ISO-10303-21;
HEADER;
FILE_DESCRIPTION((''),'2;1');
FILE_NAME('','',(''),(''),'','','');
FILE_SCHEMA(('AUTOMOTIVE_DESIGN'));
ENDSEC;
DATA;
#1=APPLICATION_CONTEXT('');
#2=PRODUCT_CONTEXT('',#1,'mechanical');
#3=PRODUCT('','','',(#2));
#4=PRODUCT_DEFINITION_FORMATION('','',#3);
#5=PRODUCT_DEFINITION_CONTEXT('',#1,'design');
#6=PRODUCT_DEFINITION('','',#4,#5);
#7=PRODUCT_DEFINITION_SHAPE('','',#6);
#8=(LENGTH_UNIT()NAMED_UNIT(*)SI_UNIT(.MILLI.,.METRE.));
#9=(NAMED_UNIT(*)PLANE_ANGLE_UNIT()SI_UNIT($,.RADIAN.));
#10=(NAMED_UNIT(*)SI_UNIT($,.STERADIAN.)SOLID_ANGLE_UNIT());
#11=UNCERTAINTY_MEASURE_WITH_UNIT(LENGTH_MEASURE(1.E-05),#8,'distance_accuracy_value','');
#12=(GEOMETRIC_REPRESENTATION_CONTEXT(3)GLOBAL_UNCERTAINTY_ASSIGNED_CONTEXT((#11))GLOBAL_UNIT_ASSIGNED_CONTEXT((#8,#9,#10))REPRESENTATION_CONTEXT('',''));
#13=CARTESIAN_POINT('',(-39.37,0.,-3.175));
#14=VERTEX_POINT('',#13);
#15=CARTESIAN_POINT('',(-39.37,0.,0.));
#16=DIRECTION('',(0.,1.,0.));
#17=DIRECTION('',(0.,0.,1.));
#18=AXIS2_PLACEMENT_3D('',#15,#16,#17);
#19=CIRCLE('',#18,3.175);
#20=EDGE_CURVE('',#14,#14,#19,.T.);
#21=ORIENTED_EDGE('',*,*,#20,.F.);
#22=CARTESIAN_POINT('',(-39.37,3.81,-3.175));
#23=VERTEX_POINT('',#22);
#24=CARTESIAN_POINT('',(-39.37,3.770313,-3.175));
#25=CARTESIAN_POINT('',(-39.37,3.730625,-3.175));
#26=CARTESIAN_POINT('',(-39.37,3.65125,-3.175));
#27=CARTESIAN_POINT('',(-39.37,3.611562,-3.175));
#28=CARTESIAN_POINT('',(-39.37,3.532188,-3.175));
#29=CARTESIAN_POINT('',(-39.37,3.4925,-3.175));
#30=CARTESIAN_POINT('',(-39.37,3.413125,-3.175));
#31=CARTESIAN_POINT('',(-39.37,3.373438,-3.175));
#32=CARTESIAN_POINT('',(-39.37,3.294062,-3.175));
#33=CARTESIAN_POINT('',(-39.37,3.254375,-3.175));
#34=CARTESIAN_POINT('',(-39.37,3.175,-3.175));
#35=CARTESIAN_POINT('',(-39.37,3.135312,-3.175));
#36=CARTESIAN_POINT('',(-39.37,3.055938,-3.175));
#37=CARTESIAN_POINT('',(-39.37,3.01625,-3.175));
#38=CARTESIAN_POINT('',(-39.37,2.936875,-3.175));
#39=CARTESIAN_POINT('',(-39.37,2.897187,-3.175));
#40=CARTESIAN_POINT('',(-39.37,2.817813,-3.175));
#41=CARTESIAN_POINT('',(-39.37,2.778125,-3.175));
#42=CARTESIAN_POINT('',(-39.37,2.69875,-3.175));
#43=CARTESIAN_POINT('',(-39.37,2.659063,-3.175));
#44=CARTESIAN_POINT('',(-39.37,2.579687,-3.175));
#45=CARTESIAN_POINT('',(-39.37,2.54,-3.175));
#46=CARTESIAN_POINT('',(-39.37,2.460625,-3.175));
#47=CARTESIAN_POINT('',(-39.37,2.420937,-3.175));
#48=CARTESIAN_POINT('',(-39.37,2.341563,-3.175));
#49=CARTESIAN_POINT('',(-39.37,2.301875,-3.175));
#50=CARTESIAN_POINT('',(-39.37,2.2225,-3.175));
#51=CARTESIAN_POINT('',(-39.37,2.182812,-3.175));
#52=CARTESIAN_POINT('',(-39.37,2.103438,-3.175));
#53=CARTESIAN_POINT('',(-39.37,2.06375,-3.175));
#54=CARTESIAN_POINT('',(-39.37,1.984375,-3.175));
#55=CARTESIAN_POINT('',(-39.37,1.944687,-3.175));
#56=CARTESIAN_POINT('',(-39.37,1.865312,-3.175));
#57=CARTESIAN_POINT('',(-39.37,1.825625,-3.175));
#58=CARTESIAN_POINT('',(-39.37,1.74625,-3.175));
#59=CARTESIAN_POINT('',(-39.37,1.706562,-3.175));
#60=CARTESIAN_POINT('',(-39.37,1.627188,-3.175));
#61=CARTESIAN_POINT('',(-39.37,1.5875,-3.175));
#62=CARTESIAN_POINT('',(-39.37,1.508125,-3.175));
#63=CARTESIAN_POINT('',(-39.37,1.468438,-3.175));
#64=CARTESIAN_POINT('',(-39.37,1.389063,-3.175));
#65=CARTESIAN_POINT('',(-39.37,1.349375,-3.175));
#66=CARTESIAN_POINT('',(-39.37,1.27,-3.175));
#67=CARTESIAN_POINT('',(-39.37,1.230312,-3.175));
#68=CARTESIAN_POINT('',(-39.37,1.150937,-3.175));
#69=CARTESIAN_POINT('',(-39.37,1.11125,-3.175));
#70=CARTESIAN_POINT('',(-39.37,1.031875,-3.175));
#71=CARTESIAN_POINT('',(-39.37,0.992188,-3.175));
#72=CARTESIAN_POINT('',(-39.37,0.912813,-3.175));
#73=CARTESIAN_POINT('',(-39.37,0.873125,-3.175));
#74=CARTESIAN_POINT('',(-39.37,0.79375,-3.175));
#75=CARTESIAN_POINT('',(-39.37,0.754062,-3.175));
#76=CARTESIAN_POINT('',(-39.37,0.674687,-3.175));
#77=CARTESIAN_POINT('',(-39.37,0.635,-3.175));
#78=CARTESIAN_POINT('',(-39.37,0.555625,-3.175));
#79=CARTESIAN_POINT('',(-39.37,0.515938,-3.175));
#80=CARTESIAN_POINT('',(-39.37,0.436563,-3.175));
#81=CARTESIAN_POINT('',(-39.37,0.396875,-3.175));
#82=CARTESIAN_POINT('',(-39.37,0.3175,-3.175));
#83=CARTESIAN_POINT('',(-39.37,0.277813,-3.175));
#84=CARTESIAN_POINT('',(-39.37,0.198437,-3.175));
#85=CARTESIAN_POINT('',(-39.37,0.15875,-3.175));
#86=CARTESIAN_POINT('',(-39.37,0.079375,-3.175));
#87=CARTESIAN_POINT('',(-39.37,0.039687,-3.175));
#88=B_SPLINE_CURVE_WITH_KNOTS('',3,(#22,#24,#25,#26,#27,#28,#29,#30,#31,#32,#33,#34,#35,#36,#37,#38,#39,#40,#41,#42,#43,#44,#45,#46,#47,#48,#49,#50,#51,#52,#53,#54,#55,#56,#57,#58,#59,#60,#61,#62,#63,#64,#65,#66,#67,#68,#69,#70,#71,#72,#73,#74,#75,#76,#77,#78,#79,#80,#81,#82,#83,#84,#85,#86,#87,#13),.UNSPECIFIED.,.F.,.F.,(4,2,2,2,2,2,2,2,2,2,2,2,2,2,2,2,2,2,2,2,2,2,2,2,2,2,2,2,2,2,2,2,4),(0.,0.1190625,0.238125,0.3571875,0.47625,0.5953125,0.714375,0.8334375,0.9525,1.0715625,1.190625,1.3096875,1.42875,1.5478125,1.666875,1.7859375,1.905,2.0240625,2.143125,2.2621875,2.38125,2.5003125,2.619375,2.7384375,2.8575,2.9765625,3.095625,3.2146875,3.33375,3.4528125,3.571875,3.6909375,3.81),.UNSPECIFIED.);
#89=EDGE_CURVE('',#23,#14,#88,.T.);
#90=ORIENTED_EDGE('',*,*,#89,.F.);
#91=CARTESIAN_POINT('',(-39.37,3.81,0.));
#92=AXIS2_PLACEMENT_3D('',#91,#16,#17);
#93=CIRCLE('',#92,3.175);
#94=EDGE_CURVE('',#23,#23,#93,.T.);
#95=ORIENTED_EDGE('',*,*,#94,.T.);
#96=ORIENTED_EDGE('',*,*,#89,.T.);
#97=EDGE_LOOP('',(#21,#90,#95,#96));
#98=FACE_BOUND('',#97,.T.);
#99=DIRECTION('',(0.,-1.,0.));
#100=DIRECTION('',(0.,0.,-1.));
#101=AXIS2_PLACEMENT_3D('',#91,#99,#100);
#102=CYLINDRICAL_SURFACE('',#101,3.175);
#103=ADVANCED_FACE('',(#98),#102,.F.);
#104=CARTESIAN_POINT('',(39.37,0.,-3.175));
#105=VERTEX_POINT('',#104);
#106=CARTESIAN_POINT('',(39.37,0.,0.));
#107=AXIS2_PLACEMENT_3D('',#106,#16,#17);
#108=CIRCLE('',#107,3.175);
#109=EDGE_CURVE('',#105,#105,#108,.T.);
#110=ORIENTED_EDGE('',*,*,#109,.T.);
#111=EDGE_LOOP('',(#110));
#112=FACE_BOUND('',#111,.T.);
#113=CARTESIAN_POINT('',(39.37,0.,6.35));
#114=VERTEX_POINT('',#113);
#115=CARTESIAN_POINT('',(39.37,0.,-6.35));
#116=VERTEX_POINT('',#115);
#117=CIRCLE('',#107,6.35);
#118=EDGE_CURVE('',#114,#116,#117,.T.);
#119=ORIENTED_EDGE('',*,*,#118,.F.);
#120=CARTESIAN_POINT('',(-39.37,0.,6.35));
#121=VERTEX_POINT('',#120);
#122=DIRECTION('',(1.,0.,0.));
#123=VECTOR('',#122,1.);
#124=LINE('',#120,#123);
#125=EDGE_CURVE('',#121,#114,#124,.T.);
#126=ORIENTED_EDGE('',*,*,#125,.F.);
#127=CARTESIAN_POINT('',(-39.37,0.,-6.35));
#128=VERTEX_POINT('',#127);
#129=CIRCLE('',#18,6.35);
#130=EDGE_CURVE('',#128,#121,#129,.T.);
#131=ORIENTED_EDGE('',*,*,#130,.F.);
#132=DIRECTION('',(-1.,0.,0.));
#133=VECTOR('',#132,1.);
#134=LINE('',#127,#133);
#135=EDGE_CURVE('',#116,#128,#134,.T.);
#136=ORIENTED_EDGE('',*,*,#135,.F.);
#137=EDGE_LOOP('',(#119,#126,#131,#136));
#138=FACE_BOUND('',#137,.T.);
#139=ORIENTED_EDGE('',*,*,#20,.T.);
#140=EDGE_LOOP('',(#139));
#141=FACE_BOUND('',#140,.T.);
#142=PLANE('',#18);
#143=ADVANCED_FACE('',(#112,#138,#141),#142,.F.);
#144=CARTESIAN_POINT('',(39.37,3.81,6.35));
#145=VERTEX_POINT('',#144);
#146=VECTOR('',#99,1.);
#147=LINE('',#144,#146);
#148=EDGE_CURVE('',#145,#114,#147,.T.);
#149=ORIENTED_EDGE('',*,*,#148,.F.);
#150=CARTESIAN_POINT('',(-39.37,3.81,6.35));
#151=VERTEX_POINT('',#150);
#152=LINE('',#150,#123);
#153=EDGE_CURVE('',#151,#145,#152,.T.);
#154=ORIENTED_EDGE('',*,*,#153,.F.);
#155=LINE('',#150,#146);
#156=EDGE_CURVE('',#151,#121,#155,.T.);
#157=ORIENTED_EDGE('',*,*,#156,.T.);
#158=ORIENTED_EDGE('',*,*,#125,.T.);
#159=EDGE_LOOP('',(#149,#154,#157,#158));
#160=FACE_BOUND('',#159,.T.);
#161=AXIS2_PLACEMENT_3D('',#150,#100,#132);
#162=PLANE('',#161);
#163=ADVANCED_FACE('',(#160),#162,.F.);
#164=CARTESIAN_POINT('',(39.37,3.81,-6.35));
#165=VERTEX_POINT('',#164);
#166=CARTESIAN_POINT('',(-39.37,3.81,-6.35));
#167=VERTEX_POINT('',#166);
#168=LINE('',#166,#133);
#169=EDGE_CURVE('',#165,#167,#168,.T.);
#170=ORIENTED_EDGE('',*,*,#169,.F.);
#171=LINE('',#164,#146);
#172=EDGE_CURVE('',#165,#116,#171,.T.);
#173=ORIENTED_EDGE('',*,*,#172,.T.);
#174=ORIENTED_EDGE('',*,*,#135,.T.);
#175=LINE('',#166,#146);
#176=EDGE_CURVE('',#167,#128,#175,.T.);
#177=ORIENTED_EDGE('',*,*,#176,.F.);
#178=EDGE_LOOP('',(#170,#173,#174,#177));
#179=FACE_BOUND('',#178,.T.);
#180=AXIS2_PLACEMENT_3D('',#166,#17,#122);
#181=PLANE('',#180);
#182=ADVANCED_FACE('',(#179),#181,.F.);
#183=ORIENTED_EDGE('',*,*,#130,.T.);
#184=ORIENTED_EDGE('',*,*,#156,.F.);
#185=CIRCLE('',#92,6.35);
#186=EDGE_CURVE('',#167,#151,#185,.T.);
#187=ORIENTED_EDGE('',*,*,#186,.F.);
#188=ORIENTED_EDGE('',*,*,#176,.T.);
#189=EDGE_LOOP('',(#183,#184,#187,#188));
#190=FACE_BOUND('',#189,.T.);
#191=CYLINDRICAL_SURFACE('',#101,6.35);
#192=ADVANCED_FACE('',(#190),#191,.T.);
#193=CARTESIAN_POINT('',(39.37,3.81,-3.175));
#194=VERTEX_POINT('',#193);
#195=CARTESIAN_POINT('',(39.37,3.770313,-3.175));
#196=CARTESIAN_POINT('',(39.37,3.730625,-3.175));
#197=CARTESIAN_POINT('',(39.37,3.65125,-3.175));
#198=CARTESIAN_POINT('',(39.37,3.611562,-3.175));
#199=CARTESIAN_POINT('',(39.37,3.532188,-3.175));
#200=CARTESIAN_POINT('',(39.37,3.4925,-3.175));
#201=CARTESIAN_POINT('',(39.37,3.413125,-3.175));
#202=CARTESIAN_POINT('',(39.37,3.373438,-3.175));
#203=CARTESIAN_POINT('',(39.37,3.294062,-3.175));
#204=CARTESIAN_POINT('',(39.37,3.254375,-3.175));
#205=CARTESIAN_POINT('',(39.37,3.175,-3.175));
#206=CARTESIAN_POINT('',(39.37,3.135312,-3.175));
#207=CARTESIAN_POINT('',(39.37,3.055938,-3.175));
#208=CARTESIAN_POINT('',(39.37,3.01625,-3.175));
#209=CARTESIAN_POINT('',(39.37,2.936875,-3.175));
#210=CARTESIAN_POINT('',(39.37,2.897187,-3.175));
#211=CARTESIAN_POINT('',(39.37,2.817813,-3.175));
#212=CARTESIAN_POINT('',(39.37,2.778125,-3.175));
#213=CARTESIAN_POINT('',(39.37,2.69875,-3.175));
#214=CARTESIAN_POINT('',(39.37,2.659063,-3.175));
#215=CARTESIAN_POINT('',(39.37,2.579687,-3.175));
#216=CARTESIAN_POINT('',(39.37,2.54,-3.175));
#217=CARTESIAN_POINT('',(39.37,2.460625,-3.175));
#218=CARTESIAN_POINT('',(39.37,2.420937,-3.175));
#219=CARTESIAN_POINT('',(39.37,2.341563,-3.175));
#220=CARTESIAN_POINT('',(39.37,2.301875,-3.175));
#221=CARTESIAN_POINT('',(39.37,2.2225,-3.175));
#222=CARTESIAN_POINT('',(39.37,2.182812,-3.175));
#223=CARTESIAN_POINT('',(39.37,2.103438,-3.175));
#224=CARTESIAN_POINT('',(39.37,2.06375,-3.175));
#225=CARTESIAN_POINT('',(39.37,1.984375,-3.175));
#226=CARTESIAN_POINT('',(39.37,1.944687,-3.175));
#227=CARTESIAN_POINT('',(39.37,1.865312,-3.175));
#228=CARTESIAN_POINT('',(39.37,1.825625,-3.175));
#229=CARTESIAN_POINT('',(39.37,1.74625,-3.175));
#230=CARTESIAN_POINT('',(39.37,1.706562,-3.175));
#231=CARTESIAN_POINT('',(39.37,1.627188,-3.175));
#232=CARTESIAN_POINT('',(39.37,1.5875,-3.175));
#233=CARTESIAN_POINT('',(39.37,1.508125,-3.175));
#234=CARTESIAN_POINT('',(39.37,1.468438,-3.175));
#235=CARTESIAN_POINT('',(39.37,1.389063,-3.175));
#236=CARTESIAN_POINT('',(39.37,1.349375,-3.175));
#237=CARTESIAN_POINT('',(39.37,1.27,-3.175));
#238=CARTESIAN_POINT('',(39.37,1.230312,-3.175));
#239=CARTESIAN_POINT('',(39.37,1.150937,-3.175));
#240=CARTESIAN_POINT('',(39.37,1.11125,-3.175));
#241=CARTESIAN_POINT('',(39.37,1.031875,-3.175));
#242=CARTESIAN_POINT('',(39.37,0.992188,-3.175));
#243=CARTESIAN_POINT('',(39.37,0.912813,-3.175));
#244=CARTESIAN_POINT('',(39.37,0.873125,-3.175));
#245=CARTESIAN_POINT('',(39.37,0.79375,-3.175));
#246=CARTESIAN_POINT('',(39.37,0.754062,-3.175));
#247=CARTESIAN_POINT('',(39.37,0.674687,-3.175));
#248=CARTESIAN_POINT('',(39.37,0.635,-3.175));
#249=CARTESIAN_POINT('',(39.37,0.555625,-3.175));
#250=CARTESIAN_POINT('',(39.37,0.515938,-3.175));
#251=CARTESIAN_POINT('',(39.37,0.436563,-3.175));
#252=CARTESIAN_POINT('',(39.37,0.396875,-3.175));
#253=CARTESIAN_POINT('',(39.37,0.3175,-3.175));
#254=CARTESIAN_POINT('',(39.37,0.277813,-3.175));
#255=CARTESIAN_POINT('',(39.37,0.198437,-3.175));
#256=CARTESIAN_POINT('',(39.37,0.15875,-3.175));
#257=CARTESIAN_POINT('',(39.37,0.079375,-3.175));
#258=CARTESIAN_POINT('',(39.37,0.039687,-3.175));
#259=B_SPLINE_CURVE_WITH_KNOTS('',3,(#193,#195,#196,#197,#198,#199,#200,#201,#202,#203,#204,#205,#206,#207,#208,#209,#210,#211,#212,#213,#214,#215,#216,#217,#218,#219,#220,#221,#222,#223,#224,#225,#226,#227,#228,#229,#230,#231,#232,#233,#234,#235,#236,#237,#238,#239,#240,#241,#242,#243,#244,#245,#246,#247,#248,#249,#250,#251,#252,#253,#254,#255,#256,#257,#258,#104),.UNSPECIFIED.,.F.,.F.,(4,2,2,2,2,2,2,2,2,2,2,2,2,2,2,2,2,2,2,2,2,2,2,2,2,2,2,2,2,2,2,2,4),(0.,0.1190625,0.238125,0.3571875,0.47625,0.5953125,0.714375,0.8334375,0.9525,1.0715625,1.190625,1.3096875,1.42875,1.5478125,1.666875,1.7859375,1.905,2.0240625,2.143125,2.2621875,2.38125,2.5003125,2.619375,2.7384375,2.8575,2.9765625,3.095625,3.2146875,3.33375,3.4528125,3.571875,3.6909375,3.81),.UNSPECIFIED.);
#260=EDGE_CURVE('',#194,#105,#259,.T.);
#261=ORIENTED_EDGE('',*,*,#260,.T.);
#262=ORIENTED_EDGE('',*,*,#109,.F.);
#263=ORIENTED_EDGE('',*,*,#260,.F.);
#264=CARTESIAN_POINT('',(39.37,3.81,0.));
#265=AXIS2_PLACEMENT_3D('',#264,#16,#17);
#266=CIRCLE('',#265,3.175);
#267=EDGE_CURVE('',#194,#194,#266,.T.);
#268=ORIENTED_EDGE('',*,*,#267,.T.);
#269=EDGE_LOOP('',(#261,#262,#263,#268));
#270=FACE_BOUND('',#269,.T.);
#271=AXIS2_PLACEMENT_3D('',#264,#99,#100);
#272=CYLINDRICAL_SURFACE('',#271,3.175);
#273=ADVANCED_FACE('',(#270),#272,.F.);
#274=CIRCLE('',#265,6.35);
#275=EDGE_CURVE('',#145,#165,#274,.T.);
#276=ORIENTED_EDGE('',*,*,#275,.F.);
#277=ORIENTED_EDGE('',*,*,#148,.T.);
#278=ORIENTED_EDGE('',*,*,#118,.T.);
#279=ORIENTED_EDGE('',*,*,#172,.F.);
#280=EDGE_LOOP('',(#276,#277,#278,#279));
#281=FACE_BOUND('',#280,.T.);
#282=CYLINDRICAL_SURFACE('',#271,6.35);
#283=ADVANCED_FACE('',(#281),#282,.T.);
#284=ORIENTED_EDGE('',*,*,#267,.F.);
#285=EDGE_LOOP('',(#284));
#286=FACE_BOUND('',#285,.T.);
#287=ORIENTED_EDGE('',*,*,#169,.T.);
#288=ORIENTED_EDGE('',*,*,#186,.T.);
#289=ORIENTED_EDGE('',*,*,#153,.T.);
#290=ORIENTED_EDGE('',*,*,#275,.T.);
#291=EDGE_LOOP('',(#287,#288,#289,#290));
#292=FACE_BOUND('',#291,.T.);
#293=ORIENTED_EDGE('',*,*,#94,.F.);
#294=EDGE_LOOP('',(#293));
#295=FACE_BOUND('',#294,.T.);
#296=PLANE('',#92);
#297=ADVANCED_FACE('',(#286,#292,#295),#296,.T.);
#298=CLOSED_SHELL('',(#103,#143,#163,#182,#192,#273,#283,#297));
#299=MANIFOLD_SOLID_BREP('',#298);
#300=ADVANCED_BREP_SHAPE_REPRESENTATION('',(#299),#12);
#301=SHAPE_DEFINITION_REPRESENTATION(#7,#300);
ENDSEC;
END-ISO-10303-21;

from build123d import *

# Parameters (mm, degrees)
SKETCH1_R           = 3.175
BOSS_EXTRUDE1_DEPTH = 3.81


with BuildPart() as part:
    # Sketch1 → Boss-Extrude1 (new body)
    with BuildSketch(Plane(origin=(0, 0, 0), x_dir=(1, 0, 0), z_dir=(0, 1, 0))):
        with BuildLine():
            Line((-39.37, 6.35), (39.37, 6.35))
            ThreePointArc((39.37, 6.35), (45.72, 0), (39.37, -6.35))
            Line((39.37, -6.35), (-39.37, -6.35))
            ThreePointArc((-39.37, -6.35), (-45.72, 0), (-39.37, 6.35))
        make_face()
        with Locations(Location((-39.37, 0, 0), (0, 0, 90))):
            Circle(SKETCH1_R, mode=Mode.SUBTRACT)
        with Locations(Location((39.37, 0, 0), (0, 0, 90))):
            Circle(SKETCH1_R, mode=Mode.SUBTRACT)
    extrude(amount=BOSS_EXTRUDE1_DEPTH)


solid = part.part
